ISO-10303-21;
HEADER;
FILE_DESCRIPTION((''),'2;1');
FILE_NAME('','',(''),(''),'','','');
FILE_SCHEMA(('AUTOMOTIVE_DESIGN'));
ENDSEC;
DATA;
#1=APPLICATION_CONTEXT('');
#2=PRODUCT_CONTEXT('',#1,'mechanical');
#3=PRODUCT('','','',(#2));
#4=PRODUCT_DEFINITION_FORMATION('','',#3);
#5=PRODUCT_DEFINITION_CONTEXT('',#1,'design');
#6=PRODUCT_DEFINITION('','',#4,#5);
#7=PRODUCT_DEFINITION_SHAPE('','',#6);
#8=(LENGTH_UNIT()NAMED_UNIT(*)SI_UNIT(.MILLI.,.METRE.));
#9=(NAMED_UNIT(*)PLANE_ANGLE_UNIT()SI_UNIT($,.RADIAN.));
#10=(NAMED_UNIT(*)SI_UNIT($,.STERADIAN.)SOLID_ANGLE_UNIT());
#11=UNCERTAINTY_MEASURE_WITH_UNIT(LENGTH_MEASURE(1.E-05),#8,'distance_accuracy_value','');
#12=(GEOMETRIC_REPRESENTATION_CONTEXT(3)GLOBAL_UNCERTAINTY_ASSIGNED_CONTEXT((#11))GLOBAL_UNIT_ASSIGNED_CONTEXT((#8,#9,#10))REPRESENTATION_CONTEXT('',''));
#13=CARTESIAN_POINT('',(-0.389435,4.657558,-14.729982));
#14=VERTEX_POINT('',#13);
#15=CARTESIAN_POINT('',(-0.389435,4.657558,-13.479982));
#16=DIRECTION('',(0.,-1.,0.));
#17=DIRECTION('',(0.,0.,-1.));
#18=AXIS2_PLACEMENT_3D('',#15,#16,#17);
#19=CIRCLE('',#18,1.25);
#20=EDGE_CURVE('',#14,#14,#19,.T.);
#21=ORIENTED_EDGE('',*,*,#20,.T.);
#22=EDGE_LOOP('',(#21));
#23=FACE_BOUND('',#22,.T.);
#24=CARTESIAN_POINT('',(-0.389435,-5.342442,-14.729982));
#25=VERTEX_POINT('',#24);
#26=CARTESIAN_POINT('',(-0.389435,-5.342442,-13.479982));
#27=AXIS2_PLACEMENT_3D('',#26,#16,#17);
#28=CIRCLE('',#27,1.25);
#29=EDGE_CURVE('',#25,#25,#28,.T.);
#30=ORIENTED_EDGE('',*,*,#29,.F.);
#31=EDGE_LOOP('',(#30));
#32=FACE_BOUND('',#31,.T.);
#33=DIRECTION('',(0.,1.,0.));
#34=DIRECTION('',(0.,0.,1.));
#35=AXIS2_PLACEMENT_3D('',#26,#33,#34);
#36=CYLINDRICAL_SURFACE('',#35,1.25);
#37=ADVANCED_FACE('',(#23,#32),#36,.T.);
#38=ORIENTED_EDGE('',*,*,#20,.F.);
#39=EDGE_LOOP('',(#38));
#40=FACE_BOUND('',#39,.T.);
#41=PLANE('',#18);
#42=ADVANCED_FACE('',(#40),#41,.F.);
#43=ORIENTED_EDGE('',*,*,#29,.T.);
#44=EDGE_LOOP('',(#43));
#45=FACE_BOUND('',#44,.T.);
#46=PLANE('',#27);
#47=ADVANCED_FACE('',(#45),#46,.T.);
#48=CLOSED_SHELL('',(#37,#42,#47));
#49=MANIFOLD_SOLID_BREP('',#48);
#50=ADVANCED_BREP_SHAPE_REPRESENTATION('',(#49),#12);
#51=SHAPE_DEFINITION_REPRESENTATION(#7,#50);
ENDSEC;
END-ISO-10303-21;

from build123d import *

# Parameters (mm, degrees)
ESQUISSE2_R      = 1.25
EXTRUSION1_DEPTH = 10


with BuildPart() as part:
    # Esquisse2 → Extrusion1 (new body)
    with BuildSketch(Plane.XZ.offset(-4.657558322)):
        with Locations((-0.389434894, -13.47998185)):
            Circle(ESQUISSE2_R)
    extrude(amount=EXTRUSION1_DEPTH)


solid = part.part
